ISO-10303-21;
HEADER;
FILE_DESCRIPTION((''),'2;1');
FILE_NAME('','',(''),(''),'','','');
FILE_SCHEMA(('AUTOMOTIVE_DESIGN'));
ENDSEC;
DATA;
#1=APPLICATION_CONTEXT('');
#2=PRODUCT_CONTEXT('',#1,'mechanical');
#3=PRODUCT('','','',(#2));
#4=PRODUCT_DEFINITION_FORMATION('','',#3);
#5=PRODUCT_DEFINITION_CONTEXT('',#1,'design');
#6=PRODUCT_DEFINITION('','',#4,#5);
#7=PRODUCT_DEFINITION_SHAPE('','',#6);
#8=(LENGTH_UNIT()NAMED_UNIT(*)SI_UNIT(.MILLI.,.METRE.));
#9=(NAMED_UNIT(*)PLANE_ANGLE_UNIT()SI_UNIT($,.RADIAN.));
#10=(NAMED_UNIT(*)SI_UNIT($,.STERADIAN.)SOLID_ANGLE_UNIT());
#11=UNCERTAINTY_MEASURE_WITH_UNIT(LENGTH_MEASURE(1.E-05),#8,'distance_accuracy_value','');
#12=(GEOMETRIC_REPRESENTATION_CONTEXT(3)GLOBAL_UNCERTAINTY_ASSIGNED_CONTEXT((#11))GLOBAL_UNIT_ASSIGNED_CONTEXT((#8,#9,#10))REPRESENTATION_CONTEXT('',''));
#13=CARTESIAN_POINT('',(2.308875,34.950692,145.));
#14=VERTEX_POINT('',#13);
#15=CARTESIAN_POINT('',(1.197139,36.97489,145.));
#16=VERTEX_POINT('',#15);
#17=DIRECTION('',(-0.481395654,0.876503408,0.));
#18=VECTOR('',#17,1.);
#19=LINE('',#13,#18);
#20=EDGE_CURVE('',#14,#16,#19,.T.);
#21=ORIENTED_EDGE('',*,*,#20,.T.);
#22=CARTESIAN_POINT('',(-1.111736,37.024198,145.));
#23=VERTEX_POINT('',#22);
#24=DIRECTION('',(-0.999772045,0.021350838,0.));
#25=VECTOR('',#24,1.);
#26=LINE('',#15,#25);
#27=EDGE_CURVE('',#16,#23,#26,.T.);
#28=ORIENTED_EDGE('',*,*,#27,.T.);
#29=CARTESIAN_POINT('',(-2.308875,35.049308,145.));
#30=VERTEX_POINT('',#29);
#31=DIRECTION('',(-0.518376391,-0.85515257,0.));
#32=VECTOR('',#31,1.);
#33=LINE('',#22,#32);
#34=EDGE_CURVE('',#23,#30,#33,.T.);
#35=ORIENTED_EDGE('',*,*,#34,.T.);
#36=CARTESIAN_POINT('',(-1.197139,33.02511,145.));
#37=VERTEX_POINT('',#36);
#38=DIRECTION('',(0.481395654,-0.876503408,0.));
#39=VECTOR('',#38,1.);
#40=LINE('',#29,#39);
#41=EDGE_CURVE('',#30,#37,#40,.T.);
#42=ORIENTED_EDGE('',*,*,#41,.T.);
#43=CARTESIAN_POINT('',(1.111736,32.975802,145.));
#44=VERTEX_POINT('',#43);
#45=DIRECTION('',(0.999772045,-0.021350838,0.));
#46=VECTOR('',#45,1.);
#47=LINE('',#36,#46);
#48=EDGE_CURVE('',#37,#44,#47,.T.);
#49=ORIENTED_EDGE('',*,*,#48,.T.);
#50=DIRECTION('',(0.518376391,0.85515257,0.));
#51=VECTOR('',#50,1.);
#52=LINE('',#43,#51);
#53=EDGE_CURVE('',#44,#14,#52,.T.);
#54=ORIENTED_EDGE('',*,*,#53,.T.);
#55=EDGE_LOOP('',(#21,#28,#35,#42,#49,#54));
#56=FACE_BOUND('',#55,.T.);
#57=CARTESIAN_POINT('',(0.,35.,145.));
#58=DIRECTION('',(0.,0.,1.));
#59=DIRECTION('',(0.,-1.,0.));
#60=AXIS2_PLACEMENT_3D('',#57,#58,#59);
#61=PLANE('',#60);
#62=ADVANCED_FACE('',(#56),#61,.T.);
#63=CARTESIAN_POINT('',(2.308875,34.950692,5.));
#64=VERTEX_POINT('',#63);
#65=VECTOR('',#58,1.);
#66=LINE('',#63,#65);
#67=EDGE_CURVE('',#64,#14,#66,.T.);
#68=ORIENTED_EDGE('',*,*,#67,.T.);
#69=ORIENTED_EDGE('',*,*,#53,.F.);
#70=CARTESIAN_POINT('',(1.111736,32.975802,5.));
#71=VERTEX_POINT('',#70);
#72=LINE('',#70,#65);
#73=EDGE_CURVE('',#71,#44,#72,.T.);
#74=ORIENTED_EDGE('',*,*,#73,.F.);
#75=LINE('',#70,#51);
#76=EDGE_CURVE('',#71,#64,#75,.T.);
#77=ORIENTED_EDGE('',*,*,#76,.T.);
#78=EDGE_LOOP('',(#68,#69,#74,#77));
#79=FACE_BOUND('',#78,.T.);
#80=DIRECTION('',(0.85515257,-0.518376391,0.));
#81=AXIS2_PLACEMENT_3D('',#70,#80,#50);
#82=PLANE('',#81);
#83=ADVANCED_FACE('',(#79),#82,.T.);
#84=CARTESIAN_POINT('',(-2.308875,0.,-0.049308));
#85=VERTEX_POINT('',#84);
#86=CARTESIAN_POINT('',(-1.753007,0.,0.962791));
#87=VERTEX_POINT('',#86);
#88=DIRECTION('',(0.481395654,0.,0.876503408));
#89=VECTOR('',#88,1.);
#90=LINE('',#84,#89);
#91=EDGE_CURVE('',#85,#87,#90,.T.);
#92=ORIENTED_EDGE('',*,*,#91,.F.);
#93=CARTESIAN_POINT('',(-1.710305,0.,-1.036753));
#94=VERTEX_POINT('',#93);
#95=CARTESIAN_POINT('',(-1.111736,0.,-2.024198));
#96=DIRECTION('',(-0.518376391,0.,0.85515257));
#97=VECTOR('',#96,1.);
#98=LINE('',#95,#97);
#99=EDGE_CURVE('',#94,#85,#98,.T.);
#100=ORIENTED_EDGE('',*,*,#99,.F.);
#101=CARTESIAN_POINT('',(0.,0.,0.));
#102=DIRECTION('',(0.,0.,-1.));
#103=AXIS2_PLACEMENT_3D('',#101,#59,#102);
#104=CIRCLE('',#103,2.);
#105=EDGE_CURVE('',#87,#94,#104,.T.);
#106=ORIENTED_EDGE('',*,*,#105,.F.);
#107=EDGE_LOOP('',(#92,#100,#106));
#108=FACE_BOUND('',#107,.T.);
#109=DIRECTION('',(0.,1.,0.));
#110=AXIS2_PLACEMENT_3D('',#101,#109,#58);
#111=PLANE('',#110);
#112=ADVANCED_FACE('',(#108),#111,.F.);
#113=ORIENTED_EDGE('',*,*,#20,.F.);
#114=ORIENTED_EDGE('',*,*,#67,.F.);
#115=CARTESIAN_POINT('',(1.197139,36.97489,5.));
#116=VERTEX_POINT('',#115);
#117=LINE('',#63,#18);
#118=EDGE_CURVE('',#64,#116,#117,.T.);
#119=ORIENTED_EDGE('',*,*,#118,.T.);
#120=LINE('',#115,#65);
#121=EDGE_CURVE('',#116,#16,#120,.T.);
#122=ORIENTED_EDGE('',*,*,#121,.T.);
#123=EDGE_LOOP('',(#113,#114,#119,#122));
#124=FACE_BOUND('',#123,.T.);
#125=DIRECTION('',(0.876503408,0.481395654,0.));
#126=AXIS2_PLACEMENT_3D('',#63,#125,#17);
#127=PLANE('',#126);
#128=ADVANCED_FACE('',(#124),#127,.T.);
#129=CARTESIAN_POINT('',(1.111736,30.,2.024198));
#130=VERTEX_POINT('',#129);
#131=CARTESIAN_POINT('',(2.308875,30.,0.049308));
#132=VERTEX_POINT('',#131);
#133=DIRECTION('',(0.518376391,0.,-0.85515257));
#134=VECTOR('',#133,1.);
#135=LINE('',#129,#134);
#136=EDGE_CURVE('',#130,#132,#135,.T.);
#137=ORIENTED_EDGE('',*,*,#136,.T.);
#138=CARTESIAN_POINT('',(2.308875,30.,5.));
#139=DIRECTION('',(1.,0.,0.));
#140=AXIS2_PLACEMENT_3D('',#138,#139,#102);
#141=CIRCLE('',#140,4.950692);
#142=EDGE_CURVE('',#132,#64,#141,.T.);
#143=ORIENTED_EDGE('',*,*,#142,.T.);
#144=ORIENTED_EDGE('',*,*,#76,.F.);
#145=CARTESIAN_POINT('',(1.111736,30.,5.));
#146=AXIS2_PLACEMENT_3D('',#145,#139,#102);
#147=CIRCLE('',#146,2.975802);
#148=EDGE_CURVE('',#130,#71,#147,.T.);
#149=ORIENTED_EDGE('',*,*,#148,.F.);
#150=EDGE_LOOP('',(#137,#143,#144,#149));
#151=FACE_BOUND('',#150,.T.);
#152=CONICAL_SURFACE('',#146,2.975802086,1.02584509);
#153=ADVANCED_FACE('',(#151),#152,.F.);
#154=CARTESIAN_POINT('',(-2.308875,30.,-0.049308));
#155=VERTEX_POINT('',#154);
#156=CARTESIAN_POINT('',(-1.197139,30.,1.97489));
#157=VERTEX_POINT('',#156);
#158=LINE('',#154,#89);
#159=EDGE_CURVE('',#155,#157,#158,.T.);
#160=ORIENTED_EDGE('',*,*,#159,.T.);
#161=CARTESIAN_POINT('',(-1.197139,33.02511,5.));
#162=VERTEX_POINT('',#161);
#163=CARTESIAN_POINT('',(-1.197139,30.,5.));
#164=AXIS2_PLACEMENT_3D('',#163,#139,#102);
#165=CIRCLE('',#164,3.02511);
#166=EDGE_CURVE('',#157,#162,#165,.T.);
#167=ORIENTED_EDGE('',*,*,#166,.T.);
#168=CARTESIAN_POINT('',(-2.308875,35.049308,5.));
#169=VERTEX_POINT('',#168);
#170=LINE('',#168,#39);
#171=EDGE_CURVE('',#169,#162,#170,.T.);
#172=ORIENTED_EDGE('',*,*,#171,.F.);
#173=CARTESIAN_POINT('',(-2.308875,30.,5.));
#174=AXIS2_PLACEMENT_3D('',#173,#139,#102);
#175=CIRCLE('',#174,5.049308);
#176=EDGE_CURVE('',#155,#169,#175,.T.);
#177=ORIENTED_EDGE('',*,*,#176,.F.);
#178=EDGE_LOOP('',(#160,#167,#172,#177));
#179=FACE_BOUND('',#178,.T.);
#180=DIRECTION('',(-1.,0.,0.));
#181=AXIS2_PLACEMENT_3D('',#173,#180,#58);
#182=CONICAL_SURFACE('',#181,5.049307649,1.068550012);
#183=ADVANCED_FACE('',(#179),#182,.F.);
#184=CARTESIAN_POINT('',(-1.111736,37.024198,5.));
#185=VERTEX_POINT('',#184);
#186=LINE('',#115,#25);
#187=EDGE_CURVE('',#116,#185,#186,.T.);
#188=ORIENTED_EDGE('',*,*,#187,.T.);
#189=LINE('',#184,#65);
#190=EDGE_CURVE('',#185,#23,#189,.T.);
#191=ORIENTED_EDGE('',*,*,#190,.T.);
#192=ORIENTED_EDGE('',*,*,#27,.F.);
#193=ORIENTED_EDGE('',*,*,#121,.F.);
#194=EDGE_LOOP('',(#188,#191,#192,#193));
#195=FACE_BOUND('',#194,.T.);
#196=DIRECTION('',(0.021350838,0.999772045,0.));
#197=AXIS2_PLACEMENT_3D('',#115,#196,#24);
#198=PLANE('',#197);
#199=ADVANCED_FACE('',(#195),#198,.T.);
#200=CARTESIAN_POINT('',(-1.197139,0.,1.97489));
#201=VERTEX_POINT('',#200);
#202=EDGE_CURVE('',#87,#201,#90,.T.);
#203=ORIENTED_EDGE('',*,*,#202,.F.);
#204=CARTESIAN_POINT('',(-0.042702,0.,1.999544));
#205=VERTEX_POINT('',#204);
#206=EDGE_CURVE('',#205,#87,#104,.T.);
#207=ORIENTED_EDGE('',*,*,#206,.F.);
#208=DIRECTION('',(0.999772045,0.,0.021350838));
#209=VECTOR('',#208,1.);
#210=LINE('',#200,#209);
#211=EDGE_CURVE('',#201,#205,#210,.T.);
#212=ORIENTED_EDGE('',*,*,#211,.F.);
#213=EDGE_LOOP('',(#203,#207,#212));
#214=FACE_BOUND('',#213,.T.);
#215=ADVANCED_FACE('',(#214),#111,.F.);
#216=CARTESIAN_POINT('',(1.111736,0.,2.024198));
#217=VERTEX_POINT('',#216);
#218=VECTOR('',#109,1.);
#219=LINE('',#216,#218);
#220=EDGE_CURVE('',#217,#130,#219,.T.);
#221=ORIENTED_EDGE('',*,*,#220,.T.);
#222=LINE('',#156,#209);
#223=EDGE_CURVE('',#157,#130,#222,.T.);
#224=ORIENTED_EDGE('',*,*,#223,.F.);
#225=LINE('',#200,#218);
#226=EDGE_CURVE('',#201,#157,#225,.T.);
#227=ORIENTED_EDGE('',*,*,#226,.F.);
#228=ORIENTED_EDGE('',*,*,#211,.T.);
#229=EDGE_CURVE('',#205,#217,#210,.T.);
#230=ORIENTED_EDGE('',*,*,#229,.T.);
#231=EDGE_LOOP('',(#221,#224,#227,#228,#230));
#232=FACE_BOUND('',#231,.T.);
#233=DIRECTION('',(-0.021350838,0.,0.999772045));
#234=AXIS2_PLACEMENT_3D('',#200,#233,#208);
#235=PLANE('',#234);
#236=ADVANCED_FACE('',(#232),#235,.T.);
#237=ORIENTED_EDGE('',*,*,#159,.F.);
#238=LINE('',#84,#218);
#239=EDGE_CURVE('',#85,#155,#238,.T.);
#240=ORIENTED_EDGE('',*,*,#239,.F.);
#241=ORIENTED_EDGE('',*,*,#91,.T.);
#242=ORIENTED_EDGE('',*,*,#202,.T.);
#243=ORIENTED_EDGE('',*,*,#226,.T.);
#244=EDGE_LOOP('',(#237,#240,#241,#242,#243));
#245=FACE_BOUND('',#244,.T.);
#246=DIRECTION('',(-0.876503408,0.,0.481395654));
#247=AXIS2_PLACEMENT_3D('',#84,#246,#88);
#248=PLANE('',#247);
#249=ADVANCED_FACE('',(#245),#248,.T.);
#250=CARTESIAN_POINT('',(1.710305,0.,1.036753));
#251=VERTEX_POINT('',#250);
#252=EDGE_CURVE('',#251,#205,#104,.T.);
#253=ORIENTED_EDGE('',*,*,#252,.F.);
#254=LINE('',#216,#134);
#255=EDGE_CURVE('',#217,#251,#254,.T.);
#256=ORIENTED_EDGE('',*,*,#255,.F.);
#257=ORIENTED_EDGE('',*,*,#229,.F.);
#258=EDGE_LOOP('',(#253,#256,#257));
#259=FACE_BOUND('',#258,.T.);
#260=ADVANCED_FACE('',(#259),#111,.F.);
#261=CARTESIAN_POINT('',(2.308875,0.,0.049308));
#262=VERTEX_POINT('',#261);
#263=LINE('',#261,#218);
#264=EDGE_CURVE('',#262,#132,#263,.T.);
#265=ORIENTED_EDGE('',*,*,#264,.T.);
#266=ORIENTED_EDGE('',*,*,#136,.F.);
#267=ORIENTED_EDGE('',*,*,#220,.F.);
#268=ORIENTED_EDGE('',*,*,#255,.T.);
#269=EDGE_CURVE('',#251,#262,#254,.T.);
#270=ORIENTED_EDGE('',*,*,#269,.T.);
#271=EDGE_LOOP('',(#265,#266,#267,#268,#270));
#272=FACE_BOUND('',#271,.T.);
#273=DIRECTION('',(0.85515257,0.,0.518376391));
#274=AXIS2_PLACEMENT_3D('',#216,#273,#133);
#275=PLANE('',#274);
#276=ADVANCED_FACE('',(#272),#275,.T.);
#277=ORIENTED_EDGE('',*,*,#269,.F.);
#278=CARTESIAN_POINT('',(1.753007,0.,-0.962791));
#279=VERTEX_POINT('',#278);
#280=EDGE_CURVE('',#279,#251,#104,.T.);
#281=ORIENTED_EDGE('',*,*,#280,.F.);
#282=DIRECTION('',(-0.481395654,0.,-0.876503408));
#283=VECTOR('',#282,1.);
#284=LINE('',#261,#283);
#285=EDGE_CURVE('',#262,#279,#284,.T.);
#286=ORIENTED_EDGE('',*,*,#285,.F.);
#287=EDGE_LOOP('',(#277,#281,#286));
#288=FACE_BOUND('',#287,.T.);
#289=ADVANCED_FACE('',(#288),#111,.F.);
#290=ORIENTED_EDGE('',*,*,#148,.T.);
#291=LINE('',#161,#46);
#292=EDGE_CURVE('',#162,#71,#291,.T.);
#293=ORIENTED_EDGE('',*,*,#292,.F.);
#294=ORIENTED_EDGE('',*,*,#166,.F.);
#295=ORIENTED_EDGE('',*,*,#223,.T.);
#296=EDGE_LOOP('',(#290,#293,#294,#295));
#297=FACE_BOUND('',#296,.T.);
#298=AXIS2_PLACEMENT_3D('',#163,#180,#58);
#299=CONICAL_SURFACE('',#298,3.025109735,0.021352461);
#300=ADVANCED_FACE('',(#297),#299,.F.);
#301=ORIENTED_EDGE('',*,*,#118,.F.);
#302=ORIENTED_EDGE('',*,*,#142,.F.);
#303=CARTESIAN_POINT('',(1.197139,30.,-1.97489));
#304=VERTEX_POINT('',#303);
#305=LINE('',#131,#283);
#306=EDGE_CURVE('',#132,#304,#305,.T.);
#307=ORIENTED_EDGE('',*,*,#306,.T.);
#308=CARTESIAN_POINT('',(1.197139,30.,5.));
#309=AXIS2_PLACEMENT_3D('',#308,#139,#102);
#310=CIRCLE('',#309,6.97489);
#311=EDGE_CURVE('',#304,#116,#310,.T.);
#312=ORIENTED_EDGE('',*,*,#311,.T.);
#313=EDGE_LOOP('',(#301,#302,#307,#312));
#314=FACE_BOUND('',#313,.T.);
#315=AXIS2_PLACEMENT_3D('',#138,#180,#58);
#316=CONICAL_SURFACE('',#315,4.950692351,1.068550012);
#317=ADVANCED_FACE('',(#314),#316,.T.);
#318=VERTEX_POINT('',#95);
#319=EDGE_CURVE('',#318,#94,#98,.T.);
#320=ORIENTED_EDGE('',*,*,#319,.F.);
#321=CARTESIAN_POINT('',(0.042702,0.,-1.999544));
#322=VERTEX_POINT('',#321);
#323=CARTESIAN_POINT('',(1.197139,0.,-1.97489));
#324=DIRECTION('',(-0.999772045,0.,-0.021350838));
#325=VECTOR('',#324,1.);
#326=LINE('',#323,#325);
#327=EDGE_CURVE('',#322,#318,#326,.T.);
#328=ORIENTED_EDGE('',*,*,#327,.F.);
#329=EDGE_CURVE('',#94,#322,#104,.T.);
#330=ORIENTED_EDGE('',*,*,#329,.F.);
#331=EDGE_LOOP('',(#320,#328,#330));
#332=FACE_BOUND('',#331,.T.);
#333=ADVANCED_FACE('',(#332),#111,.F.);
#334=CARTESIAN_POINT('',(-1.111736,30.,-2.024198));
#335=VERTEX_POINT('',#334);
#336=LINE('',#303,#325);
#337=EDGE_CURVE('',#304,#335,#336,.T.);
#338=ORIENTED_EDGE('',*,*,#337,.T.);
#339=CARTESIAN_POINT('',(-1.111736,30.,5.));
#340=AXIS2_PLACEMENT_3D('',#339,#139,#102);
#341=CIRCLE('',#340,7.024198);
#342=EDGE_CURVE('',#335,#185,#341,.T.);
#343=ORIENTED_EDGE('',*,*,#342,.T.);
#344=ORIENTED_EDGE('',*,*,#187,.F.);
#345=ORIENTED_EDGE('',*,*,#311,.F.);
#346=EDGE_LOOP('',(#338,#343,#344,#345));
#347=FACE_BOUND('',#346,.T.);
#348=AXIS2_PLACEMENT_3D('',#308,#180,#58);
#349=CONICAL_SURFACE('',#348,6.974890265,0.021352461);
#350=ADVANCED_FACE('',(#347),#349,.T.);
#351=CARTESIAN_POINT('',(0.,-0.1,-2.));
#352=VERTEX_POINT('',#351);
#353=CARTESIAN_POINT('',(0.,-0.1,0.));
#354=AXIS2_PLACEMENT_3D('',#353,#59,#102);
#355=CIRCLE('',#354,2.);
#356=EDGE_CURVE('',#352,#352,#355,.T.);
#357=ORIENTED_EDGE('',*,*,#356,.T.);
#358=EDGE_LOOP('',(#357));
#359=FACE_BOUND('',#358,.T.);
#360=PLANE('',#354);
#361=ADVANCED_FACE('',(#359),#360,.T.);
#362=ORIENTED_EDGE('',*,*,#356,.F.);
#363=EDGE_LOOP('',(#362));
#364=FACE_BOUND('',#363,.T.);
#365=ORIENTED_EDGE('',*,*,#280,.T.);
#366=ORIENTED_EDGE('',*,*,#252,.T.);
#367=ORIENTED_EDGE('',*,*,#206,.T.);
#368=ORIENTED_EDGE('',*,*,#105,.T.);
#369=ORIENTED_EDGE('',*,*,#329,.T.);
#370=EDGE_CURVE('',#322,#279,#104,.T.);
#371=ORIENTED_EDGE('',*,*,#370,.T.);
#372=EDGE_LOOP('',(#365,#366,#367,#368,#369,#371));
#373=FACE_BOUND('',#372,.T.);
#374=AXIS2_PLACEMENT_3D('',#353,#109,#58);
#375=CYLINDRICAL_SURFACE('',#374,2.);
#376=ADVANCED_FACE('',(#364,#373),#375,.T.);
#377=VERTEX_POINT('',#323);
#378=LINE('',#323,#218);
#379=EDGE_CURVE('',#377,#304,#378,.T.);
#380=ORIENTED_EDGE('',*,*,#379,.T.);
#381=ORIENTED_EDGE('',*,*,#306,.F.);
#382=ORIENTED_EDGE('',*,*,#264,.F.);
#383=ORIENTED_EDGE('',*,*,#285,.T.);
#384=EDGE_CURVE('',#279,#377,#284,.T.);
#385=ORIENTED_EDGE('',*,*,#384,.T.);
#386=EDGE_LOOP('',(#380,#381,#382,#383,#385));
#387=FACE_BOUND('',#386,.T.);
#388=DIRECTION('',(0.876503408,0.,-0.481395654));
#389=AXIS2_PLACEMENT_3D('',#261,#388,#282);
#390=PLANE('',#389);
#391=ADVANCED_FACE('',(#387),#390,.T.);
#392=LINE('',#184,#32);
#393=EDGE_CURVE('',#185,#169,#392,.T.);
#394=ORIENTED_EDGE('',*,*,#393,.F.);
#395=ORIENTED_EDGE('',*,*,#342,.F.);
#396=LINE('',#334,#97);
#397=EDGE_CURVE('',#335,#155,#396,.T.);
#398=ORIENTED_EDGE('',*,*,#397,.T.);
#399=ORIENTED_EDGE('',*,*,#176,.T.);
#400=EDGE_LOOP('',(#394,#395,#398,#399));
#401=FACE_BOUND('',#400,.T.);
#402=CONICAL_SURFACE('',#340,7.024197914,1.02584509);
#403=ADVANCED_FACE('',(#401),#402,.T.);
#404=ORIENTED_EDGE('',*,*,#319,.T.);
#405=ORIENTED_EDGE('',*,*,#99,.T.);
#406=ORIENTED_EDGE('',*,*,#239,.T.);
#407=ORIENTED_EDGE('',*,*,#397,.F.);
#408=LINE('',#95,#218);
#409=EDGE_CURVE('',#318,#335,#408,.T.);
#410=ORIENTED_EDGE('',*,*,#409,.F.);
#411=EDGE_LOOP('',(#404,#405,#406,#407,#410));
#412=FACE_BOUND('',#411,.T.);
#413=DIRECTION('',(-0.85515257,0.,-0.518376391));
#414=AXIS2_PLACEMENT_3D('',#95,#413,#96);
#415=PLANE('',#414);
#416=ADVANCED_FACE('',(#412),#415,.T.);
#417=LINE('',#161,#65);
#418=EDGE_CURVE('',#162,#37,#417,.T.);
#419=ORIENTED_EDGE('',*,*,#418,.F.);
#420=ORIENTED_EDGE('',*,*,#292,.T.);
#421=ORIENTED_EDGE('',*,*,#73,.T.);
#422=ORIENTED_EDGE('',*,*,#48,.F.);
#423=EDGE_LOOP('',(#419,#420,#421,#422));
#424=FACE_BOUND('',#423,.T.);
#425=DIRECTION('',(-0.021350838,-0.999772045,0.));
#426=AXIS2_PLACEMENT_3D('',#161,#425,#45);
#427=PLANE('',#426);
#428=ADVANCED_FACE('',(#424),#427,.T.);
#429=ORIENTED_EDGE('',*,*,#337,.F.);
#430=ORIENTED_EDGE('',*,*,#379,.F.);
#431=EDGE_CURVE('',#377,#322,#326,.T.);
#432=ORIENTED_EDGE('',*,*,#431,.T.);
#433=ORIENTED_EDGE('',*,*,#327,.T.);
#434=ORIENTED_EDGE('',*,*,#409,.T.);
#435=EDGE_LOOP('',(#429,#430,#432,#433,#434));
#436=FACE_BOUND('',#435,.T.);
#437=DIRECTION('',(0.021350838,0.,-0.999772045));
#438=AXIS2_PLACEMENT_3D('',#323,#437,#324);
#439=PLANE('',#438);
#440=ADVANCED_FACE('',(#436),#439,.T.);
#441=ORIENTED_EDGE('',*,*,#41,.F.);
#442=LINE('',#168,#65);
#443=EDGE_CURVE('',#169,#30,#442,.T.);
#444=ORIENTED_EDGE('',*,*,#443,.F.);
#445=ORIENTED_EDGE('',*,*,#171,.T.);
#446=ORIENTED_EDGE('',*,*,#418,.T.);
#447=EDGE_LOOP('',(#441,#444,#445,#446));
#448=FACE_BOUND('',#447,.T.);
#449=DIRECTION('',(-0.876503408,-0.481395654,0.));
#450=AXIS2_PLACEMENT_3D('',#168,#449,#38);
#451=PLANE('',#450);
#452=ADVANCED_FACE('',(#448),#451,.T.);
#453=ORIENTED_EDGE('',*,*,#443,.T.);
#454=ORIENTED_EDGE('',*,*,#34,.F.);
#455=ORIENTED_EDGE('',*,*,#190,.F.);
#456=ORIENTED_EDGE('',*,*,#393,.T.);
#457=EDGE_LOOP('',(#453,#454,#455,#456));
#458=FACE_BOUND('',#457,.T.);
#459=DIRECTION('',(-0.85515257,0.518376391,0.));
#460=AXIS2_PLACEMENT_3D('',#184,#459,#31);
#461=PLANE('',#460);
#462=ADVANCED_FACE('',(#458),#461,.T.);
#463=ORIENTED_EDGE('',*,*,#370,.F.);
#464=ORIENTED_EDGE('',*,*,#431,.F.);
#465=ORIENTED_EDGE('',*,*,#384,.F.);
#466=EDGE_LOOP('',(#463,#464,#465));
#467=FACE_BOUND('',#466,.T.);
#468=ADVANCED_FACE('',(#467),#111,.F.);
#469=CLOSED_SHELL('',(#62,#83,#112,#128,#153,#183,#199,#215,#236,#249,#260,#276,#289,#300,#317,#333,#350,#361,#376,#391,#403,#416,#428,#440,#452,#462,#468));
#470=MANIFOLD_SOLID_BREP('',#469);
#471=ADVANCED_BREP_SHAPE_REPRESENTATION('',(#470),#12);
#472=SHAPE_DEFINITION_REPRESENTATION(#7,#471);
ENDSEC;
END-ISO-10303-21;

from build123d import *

# Parameters (mm, degrees)
SKETCH2_R           = 2
BOSS_EXTRUDE1_DEPTH = 0.1


with BuildPart() as part:
    # Sweep1: sweep along a curve in space
    with BuildLine() as sweep1_path:
        Line((0, 0, 0), (0, 30, 0))
        ThreePointArc((0, 35, 5), (0, 33.535533906, 1.464466094), (0, 30, 0))
        Line((0, 35, 5), (0, 35, 145))
    # Sketch1 → Sweep1 (sweep)
    with BuildSketch(Plane(origin=(0, 0, 0), x_dir=(-1, 0, 0), z_dir=(0, 1, 0))):
        Polygon((2.308874637, -0.049307649), (1.197138995, 1.974890265), (-1.111735642, 2.024197914), (-2.308874637, 0.049307649), (-1.197138995, -1.974890265), (1.111735642, -2.024197914), align=None)
    sweep(path=sweep1_path.line)

    # Sketch2 → Boss-Extrude1 (add)
    with BuildSketch(Plane.XZ):
        Circle(SKETCH2_R)
    extrude(amount=BOSS_EXTRUDE1_DEPTH)


solid = part.part
